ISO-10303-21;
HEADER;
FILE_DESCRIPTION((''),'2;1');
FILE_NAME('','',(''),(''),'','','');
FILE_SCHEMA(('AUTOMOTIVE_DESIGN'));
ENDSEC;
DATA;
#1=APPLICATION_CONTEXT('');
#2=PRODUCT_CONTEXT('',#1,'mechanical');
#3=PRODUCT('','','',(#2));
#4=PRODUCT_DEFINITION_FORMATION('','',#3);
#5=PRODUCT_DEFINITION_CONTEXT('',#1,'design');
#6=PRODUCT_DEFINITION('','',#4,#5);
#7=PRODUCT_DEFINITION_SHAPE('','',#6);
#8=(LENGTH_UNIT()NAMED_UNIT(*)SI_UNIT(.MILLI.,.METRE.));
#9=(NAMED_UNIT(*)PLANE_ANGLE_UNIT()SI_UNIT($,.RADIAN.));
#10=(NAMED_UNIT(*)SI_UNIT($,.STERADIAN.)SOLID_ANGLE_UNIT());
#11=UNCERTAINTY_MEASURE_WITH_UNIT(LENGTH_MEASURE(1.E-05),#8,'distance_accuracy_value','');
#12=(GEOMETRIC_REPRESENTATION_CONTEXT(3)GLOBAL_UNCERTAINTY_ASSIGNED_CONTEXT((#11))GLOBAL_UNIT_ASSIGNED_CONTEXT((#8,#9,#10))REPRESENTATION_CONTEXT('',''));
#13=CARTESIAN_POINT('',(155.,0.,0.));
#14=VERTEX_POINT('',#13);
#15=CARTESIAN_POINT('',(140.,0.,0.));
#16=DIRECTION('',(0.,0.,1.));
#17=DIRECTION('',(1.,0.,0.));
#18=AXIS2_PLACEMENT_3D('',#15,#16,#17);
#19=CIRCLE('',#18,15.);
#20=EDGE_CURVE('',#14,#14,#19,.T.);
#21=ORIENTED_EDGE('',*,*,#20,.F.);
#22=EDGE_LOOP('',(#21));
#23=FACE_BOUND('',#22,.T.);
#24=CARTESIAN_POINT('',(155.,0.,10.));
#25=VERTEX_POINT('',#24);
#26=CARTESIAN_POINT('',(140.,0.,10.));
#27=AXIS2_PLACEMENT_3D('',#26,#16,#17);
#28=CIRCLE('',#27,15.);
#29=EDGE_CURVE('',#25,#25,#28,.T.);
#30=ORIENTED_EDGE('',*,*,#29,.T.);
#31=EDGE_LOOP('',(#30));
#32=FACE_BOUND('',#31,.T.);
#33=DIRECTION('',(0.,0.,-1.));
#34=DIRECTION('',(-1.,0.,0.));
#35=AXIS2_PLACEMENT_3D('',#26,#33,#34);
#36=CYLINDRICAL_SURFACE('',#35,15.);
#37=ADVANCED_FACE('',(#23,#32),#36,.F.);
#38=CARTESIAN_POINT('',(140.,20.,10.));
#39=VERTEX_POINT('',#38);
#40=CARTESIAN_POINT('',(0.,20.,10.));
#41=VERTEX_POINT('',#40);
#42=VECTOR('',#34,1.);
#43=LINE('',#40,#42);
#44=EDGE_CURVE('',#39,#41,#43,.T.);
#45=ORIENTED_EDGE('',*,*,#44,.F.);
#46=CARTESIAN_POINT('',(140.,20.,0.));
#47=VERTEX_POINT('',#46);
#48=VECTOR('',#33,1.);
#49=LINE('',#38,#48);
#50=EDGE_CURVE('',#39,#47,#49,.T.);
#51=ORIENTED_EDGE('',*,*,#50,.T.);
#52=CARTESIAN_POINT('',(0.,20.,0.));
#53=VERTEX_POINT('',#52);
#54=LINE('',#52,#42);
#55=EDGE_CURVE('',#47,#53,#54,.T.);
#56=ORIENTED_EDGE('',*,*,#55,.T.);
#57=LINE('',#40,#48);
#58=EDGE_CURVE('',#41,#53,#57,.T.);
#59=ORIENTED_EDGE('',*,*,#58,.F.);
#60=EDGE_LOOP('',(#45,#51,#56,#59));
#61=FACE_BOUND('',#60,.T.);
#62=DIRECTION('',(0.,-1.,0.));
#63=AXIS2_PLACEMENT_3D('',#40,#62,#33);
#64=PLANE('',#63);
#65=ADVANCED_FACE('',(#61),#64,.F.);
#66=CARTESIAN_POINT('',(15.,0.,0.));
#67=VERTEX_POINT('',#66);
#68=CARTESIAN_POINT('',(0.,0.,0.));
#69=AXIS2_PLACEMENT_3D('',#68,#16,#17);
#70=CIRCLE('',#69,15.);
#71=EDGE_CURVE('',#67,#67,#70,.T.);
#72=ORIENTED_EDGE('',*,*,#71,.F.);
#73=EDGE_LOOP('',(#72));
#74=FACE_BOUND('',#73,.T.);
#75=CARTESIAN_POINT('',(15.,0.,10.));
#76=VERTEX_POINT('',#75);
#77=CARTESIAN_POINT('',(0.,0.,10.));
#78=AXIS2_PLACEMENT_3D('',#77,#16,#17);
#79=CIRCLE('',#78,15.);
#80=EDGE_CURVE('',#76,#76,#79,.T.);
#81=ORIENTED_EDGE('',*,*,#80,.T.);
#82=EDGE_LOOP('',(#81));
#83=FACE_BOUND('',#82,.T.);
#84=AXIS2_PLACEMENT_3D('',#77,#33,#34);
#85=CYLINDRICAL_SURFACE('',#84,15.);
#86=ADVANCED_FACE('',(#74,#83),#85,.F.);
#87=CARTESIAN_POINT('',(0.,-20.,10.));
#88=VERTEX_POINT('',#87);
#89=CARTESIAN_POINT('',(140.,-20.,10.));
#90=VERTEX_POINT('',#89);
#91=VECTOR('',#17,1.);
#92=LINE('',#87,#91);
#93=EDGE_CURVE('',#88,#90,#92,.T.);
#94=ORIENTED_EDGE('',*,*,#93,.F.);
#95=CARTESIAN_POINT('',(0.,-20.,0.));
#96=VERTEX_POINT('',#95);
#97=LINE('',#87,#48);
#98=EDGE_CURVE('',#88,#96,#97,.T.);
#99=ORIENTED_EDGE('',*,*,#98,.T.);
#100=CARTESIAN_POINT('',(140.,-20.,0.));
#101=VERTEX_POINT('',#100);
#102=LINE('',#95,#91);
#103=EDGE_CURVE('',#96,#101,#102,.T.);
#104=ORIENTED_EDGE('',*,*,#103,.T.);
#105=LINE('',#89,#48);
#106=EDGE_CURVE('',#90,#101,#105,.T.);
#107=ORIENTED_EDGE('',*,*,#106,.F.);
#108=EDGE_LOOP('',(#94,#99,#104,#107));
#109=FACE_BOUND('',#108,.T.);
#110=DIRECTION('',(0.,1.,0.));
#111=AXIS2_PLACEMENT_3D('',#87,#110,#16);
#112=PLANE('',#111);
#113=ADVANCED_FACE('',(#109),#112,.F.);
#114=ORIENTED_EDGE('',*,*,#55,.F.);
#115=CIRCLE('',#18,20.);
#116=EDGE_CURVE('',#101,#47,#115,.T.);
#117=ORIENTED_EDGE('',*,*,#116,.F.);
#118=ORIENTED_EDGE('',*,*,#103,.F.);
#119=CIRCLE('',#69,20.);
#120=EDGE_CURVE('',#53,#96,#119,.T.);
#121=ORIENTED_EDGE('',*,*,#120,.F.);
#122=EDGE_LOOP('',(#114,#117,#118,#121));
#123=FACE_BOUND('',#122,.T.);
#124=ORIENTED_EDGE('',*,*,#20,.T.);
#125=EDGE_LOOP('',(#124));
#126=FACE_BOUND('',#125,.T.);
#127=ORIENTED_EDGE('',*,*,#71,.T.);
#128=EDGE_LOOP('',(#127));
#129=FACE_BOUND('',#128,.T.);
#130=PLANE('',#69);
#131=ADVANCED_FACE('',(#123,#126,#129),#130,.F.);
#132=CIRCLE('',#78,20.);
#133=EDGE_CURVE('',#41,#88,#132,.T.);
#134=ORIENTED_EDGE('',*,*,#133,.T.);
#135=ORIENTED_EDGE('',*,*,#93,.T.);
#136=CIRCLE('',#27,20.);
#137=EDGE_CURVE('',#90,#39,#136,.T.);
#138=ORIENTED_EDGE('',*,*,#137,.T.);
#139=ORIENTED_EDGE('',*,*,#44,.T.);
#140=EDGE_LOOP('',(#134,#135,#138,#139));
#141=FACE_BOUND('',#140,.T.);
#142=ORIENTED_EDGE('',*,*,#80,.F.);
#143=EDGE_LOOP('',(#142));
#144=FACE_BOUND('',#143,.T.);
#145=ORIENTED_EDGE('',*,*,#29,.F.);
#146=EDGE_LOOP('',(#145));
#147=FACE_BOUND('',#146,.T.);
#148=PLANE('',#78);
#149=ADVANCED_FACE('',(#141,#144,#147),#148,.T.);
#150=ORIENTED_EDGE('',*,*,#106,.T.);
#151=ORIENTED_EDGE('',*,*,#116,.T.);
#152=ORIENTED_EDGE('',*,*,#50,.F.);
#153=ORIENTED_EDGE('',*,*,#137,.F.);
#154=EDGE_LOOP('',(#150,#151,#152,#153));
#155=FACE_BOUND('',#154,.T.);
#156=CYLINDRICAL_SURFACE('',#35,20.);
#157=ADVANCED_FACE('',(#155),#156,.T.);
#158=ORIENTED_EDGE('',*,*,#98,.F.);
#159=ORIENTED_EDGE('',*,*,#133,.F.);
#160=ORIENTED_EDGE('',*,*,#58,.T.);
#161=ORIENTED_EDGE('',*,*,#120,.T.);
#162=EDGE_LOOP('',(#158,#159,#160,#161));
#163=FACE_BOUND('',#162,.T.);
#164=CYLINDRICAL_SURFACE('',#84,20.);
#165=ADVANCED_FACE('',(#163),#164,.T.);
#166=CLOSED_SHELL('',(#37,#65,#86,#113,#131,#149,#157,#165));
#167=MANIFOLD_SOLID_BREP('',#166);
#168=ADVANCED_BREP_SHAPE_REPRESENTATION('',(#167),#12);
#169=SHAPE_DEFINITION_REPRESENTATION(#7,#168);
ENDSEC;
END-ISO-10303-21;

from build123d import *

# Parameters (mm, degrees)
SKETCH_1_R      = 15
EXTRUDE_2_DEPTH = 10


with BuildPart() as part:
    # Эскиз1 → Бобышка-Вытянуть2 (new body)
    with BuildSketch(Plane.XY):
        with BuildLine():
            Line((0, 20), (140, 20))
            ThreePointArc((140, 20), (160, 0), (140, -20))
            Line((140, -20), (0, -20))
            ThreePointArc((0, -20), (-20, 0), (0, 20))
        make_face()
        Circle(SKETCH_1_R, mode=Mode.SUBTRACT)
        with Locations((140, 0)):
            Circle(SKETCH_1_R, mode=Mode.SUBTRACT)
    extrude(amount=EXTRUDE_2_DEPTH)


solid = part.part
